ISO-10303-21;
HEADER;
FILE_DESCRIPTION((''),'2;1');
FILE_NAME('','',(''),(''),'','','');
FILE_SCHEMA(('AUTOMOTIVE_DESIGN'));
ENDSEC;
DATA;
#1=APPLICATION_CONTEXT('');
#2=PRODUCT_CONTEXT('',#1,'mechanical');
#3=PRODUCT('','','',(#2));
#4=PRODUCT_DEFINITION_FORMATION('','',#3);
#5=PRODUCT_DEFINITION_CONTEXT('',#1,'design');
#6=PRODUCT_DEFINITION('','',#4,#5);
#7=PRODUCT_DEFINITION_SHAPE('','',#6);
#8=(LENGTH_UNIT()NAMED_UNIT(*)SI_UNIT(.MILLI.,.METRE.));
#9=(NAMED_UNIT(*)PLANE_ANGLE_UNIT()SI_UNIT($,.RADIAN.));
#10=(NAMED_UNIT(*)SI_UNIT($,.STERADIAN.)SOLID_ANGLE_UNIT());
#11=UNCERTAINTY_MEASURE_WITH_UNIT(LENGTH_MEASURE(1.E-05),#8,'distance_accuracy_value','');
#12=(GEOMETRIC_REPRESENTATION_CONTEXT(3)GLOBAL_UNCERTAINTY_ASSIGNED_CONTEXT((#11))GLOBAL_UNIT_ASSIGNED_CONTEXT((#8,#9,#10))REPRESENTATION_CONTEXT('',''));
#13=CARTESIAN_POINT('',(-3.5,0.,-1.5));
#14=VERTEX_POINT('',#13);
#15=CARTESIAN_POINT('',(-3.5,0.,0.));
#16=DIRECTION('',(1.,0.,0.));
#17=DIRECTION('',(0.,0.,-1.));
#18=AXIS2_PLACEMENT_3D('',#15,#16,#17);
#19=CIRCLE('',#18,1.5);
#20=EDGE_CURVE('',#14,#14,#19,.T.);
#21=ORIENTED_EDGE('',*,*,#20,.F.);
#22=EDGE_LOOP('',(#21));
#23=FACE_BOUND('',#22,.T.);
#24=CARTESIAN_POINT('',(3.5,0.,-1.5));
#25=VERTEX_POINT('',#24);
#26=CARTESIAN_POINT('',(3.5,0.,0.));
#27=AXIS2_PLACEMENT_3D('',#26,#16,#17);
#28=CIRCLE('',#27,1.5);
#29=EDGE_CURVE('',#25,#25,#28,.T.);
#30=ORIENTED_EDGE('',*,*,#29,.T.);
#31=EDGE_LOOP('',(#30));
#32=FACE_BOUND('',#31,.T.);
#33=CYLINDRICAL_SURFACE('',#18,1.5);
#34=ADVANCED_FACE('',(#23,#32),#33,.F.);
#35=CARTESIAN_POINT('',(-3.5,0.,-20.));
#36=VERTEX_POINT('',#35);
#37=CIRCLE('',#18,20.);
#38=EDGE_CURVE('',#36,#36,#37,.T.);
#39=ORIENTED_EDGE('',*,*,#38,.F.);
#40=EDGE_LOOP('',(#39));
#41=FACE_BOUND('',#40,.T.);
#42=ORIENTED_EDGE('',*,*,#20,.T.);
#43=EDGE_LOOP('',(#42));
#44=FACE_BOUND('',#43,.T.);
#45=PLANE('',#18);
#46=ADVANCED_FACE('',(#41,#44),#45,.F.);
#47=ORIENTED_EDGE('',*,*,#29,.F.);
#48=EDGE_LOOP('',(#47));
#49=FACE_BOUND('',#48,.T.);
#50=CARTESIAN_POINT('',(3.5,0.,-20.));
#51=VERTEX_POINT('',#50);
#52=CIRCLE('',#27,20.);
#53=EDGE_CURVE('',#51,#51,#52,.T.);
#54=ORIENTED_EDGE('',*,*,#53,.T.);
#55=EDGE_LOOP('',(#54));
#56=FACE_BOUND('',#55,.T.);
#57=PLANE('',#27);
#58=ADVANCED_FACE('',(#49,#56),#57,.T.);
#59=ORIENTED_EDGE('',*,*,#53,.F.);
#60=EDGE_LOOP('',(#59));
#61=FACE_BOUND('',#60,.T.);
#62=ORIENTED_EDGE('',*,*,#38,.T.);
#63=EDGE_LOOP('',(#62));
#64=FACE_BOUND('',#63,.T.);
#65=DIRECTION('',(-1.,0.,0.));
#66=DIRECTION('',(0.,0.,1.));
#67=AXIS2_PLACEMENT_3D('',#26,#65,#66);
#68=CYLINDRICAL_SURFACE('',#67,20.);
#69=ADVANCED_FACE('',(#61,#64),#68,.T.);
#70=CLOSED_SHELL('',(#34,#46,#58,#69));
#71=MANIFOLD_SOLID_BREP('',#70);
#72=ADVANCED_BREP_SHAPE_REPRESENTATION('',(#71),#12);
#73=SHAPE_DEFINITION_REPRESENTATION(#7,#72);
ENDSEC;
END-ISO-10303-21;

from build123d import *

# Parameters (mm, degrees)
SKETCH1_R           = 20
BOSS_EXTRUDE1_DEPTH = 3.5
SKETCH2_R           = 1.5
CUT_EXTRUDE1_DEPTH  = 7


with BuildPart() as part:
    # Sketch1 → Boss-Extrude1 (new, symmetric)
    with BuildSketch(Plane.YZ):
        with Locations(Location((0, 0, 0), (0, 0, 270))):
            Circle(SKETCH1_R)
    extrude(amount=BOSS_EXTRUDE1_DEPTH, both=True)

    # Sketch2 → Cut-Extrude1 (cut)
    with BuildSketch(Plane.YZ.offset(3.5)):
        with Locations(Location((0, 0, 0), (0, 0, 270))):
            Circle(SKETCH2_R)
    extrude(amount=-CUT_EXTRUDE1_DEPTH, mode=Mode.SUBTRACT)


solid = part.part
